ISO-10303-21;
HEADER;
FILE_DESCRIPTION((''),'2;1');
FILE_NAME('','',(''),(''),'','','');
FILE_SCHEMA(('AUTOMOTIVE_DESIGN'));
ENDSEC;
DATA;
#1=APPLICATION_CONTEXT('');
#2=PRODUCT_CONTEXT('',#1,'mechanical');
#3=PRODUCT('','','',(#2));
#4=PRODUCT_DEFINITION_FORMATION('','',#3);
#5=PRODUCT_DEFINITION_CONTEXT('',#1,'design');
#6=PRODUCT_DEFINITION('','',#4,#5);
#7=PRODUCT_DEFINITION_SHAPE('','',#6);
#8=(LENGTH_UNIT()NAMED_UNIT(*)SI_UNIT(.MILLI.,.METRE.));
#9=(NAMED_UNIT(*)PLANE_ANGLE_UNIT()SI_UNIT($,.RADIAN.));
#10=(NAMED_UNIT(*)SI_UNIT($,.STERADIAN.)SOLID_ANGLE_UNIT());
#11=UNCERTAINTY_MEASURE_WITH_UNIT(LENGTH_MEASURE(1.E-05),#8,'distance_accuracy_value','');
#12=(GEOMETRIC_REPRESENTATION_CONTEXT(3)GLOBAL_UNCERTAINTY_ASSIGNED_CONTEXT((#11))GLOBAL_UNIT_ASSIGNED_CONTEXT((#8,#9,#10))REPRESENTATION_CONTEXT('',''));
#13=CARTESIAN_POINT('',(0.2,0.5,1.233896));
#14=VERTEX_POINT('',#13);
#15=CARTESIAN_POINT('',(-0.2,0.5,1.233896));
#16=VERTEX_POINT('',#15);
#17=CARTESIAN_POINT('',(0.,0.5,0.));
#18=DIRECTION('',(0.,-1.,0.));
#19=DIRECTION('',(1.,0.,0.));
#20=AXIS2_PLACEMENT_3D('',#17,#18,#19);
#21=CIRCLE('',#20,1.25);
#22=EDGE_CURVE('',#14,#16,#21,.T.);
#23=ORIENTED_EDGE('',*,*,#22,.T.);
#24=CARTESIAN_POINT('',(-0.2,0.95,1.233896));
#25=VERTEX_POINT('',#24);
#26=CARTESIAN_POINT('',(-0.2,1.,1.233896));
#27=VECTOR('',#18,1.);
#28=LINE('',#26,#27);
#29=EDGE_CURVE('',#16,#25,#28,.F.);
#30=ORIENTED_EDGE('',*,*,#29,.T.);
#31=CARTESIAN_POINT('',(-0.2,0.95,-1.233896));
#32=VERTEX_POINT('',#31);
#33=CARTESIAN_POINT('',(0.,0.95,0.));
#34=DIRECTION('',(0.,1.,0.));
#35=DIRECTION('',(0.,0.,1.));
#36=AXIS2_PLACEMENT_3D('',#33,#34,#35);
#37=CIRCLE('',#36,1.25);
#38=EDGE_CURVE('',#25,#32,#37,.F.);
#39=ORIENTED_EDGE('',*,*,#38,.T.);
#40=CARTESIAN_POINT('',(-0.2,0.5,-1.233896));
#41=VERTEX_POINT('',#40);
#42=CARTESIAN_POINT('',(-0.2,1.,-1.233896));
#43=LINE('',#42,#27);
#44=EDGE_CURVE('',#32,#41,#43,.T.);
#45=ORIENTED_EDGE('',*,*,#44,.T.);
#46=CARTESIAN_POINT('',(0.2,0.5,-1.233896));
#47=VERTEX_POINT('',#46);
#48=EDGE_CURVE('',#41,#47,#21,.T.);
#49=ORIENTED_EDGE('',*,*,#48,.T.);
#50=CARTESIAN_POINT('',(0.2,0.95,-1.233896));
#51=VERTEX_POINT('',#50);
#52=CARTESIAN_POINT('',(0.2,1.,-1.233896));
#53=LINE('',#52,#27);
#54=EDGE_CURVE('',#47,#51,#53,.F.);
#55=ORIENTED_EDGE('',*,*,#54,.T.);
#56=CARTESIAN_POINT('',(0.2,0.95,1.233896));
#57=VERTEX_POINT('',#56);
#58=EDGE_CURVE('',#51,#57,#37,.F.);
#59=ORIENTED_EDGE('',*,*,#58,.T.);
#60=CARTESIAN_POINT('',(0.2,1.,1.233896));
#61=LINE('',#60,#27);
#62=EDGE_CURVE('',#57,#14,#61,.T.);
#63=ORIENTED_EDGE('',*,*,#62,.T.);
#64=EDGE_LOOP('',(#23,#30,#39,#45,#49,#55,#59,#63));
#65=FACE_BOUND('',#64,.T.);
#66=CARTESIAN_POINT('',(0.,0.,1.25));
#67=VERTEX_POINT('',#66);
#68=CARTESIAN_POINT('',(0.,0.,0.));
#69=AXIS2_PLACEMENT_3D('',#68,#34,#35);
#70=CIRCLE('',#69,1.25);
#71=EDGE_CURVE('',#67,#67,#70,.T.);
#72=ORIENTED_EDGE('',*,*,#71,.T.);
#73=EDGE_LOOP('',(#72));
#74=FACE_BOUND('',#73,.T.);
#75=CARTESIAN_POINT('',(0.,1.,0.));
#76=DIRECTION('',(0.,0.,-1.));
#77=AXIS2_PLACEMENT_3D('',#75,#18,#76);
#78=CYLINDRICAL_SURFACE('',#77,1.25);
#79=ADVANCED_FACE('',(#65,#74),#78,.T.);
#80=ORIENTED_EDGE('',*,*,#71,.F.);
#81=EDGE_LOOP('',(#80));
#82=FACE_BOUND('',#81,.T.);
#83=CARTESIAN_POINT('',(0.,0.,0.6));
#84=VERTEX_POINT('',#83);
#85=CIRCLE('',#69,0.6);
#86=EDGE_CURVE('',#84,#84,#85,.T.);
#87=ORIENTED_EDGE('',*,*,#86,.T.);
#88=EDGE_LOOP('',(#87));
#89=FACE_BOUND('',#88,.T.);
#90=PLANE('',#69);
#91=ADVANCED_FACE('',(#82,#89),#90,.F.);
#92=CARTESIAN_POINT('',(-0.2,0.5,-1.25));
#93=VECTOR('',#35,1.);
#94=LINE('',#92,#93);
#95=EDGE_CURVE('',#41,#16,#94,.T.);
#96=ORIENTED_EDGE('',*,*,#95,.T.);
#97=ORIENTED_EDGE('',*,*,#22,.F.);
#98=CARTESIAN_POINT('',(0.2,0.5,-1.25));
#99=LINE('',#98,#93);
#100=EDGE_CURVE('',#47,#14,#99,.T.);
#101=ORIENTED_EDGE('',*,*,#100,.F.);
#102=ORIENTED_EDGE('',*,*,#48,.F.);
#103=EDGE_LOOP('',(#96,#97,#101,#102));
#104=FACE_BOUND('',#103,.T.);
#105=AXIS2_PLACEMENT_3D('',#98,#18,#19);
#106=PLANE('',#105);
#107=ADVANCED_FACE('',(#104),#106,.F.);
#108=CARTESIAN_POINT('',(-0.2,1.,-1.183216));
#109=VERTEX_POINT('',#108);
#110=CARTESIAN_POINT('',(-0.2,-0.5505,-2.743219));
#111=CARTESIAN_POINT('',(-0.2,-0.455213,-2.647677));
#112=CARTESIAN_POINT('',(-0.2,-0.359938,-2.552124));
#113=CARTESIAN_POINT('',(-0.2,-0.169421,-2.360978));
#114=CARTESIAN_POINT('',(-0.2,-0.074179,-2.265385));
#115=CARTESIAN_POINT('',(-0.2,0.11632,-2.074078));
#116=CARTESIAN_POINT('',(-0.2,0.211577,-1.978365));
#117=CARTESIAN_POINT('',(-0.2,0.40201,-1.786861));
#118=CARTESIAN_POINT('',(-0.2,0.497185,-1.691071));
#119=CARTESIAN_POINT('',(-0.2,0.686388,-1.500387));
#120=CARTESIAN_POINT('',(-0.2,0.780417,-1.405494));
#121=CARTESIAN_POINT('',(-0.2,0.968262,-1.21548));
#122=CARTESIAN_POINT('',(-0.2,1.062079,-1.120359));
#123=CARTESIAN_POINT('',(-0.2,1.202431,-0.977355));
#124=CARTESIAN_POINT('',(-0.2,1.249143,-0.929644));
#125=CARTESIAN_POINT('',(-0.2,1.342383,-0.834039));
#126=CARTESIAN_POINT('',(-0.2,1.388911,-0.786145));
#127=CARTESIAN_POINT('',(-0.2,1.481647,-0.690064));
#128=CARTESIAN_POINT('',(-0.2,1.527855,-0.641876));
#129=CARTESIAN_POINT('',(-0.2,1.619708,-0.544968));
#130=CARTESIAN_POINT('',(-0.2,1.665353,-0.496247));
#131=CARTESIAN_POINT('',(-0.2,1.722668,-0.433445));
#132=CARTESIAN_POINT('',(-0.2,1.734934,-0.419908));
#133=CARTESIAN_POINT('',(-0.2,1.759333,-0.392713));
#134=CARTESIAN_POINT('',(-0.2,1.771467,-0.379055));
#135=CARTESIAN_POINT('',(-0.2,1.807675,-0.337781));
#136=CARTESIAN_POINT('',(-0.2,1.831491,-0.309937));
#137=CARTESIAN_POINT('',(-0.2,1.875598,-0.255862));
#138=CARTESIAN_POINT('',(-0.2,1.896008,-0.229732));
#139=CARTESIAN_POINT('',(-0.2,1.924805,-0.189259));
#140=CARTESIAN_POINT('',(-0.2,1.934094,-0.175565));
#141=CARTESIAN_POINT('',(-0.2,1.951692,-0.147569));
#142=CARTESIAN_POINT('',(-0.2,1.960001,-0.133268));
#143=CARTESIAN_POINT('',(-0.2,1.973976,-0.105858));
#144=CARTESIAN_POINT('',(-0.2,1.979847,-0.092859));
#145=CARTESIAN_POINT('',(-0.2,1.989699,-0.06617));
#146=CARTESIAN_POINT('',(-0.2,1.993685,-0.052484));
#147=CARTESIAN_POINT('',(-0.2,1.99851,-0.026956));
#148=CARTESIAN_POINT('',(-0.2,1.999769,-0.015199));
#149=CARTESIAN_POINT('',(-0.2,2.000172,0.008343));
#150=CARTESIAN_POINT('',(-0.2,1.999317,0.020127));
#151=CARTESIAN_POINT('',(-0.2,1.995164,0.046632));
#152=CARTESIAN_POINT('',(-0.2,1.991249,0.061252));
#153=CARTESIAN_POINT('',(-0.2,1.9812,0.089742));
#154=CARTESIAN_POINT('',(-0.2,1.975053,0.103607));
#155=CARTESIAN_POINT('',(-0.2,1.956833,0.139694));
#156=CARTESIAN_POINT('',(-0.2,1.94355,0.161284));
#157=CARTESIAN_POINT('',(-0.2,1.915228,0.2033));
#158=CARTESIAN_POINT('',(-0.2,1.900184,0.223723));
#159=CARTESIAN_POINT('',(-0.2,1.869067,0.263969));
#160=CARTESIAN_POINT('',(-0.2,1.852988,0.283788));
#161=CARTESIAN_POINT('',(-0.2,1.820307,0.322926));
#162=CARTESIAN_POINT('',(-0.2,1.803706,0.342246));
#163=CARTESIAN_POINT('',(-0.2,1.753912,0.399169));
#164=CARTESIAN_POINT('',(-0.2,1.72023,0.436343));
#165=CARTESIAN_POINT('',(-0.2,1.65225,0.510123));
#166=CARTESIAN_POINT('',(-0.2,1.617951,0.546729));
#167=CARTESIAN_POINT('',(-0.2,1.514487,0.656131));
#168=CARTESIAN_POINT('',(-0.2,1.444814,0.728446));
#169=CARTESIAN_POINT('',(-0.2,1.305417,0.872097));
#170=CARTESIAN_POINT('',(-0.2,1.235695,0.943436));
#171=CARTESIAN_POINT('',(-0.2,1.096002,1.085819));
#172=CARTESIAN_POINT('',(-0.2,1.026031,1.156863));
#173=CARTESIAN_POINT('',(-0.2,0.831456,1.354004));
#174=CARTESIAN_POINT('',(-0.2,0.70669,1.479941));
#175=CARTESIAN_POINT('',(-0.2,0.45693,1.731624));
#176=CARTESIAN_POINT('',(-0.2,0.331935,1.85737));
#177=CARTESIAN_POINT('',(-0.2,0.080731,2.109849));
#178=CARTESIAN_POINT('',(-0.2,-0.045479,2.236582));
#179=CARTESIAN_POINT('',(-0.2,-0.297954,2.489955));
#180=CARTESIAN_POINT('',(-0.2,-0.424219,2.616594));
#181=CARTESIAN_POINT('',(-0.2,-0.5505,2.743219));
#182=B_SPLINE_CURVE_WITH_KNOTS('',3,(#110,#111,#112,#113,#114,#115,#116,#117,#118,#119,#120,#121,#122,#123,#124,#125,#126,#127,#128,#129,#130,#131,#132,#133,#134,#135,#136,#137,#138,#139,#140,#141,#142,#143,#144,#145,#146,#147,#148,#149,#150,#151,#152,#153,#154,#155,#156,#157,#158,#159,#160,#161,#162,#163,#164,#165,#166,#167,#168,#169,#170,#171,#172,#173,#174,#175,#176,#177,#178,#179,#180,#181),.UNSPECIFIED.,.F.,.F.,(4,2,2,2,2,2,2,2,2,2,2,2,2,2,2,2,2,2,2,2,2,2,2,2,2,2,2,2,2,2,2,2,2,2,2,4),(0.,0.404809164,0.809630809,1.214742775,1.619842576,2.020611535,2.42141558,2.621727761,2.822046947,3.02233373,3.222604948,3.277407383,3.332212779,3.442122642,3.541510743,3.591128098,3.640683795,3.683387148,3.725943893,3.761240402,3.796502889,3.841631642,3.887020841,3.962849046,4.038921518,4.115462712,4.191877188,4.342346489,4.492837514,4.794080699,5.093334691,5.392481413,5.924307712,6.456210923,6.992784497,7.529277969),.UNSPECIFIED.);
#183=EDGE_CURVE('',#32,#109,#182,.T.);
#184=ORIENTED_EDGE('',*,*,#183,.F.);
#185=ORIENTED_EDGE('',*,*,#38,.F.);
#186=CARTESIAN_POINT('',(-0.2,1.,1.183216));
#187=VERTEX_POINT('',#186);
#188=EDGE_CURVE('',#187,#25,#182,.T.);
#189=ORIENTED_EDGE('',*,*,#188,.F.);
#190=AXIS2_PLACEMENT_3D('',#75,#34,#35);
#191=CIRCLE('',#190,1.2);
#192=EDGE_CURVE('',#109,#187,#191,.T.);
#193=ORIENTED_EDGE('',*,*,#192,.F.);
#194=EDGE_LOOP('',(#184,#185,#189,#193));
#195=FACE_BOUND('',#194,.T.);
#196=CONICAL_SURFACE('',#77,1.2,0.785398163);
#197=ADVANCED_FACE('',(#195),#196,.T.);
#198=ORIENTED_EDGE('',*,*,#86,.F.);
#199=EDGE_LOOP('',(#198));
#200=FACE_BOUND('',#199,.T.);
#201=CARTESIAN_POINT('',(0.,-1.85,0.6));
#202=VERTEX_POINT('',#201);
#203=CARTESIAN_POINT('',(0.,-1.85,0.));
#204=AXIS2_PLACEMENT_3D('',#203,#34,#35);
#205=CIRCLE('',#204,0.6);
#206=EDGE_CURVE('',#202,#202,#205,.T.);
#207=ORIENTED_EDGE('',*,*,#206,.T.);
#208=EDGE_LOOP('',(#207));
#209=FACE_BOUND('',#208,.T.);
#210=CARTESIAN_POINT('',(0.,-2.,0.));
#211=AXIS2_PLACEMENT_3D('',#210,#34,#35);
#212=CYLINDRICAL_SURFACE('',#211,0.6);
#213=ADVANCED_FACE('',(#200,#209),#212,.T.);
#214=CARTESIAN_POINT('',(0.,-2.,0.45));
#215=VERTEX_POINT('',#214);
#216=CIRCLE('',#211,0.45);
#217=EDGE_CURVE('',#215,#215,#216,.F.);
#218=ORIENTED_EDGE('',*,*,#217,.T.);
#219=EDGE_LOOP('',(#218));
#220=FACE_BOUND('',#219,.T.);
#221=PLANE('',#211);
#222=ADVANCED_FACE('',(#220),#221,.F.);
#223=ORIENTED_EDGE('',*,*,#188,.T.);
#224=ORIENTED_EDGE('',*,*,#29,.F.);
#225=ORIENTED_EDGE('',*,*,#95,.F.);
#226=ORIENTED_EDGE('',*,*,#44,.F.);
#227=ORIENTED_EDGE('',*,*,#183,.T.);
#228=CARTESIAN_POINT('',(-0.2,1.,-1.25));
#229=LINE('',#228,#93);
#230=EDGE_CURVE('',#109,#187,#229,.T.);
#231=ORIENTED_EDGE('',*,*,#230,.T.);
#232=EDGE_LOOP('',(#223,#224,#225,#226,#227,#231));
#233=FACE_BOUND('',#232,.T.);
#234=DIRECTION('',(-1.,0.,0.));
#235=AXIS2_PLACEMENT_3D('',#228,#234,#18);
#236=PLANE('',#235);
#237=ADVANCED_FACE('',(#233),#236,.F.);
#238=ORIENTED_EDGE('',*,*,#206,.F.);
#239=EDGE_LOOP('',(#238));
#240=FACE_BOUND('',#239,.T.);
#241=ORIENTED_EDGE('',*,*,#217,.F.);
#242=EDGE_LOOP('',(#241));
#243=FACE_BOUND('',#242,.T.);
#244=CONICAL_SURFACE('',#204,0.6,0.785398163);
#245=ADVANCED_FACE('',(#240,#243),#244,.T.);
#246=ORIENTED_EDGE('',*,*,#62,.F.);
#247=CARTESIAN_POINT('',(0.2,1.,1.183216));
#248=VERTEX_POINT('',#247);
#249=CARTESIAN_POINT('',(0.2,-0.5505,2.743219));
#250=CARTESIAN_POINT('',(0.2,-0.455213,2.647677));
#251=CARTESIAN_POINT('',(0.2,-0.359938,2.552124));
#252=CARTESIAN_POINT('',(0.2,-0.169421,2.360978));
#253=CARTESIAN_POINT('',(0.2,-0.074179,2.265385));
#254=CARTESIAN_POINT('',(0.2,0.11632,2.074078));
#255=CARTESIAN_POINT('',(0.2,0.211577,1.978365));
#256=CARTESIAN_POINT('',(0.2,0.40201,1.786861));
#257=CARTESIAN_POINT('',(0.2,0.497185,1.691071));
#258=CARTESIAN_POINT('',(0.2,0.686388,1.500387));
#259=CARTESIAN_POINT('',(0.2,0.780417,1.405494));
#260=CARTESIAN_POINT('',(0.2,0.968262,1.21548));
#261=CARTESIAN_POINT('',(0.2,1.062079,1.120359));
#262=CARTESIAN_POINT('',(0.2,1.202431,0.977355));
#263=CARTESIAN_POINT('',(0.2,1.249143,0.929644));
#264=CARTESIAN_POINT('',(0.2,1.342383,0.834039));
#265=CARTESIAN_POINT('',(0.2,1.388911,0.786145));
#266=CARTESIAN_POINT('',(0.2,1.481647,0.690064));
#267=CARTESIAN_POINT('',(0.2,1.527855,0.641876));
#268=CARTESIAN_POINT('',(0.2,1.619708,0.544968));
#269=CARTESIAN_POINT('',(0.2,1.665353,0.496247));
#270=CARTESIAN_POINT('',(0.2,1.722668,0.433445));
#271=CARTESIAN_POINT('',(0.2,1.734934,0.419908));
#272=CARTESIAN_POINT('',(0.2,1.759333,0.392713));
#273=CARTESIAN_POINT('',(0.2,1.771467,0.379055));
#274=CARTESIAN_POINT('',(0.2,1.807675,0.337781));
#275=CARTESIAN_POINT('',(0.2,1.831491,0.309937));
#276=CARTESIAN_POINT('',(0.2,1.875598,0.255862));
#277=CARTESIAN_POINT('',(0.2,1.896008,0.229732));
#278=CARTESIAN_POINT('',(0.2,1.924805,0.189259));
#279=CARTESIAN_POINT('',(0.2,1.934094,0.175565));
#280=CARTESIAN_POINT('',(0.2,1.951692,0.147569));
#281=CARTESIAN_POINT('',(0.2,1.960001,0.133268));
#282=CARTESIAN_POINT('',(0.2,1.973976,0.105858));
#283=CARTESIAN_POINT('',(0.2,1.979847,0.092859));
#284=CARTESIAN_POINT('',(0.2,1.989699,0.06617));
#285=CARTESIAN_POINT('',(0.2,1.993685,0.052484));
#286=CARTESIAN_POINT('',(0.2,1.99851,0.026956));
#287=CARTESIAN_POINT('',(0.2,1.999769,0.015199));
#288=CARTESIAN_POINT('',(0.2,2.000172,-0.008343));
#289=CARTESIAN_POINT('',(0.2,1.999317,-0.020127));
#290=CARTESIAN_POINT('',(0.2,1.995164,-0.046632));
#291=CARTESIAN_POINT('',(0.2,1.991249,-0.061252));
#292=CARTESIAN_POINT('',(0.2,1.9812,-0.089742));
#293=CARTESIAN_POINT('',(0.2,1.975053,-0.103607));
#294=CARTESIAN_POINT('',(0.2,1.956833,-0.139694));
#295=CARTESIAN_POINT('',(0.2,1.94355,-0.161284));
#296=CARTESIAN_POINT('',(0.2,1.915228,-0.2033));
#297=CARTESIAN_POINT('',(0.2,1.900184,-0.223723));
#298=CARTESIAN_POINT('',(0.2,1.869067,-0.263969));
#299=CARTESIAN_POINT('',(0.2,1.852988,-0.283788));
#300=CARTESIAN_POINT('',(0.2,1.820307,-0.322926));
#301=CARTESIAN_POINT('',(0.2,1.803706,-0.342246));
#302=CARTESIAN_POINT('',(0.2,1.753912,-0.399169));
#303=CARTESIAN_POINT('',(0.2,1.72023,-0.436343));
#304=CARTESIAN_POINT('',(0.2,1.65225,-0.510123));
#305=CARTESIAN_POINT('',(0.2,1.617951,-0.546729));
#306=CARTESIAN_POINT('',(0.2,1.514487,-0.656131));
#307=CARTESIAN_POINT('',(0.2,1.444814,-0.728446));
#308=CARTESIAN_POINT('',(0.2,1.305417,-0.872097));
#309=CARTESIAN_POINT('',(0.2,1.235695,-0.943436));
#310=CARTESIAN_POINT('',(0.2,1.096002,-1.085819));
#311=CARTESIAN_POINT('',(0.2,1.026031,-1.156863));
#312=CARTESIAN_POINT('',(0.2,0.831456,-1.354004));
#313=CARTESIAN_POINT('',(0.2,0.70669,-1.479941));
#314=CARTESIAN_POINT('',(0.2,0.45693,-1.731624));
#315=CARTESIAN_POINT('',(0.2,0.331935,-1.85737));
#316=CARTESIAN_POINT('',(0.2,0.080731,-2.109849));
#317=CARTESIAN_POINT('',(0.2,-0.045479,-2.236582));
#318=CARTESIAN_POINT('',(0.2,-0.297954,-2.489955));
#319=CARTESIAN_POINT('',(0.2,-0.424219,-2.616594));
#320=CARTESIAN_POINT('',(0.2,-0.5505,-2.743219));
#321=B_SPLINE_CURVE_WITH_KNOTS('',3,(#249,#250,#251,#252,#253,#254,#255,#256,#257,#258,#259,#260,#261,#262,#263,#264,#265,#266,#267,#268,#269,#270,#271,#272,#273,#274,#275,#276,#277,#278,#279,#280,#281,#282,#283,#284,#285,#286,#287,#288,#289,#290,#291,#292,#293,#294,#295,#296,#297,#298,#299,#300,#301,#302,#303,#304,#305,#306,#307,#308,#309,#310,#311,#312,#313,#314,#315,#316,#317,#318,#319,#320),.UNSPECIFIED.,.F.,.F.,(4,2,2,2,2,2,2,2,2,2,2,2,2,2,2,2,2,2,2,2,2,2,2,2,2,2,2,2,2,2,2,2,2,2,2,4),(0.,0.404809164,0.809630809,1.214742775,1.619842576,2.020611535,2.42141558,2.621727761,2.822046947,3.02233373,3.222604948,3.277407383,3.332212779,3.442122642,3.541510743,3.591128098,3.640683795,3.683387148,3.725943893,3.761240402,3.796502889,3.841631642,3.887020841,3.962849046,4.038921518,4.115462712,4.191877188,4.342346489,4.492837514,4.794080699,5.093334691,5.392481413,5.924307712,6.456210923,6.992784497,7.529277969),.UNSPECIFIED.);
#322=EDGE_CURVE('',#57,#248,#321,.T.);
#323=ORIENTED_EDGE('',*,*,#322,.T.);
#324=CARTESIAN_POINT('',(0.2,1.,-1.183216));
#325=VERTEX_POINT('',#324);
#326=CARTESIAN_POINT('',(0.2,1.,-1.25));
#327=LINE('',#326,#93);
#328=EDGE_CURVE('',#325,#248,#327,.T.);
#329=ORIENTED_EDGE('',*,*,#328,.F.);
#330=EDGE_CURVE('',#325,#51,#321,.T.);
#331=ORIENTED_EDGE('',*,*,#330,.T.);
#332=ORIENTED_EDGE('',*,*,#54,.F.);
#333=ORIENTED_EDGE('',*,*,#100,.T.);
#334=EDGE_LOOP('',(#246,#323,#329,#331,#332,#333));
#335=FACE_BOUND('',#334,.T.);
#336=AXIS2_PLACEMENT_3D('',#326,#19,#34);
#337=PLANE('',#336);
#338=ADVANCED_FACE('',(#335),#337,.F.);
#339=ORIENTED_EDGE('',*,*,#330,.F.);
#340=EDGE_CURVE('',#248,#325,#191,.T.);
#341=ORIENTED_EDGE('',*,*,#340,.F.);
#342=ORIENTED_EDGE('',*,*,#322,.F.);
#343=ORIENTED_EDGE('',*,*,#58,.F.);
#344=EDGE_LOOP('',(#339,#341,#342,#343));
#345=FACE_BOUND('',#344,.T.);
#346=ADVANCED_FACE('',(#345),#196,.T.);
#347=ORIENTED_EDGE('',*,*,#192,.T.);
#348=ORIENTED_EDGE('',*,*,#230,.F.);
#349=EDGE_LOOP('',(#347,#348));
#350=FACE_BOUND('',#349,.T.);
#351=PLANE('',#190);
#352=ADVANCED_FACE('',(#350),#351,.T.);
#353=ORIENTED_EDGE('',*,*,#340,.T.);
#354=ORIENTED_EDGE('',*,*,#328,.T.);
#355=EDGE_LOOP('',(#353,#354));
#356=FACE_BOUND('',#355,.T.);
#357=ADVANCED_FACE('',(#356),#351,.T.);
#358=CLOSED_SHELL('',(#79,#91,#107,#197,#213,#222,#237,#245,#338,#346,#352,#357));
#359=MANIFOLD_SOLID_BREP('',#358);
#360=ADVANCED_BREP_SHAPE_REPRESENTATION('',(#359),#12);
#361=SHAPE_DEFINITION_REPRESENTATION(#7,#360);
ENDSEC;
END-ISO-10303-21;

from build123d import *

# Parameters (mm, degrees)
SKETCH1_R               = 1.25
BOSS_EXTRUDE1_DEPTH     = 1
SKETCH2_R               = 0.6
BOSS_EXTRUDE2_DEPTH     = 2
CHAMFER1_SIZE           = 0.05
CHAMFER2_SIZE           = 0.15
CUT_EXTRUDE1_DEPTH      = 2.25
CUT_EXTRUDE1_DEPTH_BACK = 2.25


with BuildPart() as part:
    # Sketch1 → Boss-Extrude1 (new body)
    with BuildSketch(Plane(origin=(0, 0, 0), x_dir=(1, 0, 0), z_dir=(0, 1, 0))):
        Circle(SKETCH1_R)
    extrude(amount=BOSS_EXTRUDE1_DEPTH)

    # Sketch2 → Boss-Extrude2 (add)
    with BuildSketch(Plane(origin=(0, 0, 0), x_dir=(1, 0, 0), z_dir=(0, 1, 0))):
        Circle(SKETCH2_R)
    extrude(amount=-BOSS_EXTRUDE2_DEPTH)

    # Chamfer1
    chamfer1_edges = [part.edges().sort_by_distance(p)[0] for p in [
        (-1.25, 1, 0),
    ]]
    chamfer(chamfer1_edges, length=CHAMFER1_SIZE)

    # Chamfer2
    chamfer2_edges = [part.edges().sort_by_distance(p)[0] for p in [
        (-0.6, -2, 0),
    ]]
    chamfer(chamfer2_edges, length=CHAMFER2_SIZE)

    # Sketch3 → Cut-Extrude1 (cut, two sides)
    with BuildSketch(Plane.XY) as cut_extrude1_sk:
        Polygon((-0.2, 1), (0, 1), (0.2, 1), (0.2, 0.5), (0, 0.5), (-0.2, 0.5), align=None)
    extrude(amount=CUT_EXTRUDE1_DEPTH, mode=Mode.SUBTRACT)
    extrude(cut_extrude1_sk.sketch, amount=-CUT_EXTRUDE1_DEPTH_BACK, mode=Mode.SUBTRACT)


solid = part.part
